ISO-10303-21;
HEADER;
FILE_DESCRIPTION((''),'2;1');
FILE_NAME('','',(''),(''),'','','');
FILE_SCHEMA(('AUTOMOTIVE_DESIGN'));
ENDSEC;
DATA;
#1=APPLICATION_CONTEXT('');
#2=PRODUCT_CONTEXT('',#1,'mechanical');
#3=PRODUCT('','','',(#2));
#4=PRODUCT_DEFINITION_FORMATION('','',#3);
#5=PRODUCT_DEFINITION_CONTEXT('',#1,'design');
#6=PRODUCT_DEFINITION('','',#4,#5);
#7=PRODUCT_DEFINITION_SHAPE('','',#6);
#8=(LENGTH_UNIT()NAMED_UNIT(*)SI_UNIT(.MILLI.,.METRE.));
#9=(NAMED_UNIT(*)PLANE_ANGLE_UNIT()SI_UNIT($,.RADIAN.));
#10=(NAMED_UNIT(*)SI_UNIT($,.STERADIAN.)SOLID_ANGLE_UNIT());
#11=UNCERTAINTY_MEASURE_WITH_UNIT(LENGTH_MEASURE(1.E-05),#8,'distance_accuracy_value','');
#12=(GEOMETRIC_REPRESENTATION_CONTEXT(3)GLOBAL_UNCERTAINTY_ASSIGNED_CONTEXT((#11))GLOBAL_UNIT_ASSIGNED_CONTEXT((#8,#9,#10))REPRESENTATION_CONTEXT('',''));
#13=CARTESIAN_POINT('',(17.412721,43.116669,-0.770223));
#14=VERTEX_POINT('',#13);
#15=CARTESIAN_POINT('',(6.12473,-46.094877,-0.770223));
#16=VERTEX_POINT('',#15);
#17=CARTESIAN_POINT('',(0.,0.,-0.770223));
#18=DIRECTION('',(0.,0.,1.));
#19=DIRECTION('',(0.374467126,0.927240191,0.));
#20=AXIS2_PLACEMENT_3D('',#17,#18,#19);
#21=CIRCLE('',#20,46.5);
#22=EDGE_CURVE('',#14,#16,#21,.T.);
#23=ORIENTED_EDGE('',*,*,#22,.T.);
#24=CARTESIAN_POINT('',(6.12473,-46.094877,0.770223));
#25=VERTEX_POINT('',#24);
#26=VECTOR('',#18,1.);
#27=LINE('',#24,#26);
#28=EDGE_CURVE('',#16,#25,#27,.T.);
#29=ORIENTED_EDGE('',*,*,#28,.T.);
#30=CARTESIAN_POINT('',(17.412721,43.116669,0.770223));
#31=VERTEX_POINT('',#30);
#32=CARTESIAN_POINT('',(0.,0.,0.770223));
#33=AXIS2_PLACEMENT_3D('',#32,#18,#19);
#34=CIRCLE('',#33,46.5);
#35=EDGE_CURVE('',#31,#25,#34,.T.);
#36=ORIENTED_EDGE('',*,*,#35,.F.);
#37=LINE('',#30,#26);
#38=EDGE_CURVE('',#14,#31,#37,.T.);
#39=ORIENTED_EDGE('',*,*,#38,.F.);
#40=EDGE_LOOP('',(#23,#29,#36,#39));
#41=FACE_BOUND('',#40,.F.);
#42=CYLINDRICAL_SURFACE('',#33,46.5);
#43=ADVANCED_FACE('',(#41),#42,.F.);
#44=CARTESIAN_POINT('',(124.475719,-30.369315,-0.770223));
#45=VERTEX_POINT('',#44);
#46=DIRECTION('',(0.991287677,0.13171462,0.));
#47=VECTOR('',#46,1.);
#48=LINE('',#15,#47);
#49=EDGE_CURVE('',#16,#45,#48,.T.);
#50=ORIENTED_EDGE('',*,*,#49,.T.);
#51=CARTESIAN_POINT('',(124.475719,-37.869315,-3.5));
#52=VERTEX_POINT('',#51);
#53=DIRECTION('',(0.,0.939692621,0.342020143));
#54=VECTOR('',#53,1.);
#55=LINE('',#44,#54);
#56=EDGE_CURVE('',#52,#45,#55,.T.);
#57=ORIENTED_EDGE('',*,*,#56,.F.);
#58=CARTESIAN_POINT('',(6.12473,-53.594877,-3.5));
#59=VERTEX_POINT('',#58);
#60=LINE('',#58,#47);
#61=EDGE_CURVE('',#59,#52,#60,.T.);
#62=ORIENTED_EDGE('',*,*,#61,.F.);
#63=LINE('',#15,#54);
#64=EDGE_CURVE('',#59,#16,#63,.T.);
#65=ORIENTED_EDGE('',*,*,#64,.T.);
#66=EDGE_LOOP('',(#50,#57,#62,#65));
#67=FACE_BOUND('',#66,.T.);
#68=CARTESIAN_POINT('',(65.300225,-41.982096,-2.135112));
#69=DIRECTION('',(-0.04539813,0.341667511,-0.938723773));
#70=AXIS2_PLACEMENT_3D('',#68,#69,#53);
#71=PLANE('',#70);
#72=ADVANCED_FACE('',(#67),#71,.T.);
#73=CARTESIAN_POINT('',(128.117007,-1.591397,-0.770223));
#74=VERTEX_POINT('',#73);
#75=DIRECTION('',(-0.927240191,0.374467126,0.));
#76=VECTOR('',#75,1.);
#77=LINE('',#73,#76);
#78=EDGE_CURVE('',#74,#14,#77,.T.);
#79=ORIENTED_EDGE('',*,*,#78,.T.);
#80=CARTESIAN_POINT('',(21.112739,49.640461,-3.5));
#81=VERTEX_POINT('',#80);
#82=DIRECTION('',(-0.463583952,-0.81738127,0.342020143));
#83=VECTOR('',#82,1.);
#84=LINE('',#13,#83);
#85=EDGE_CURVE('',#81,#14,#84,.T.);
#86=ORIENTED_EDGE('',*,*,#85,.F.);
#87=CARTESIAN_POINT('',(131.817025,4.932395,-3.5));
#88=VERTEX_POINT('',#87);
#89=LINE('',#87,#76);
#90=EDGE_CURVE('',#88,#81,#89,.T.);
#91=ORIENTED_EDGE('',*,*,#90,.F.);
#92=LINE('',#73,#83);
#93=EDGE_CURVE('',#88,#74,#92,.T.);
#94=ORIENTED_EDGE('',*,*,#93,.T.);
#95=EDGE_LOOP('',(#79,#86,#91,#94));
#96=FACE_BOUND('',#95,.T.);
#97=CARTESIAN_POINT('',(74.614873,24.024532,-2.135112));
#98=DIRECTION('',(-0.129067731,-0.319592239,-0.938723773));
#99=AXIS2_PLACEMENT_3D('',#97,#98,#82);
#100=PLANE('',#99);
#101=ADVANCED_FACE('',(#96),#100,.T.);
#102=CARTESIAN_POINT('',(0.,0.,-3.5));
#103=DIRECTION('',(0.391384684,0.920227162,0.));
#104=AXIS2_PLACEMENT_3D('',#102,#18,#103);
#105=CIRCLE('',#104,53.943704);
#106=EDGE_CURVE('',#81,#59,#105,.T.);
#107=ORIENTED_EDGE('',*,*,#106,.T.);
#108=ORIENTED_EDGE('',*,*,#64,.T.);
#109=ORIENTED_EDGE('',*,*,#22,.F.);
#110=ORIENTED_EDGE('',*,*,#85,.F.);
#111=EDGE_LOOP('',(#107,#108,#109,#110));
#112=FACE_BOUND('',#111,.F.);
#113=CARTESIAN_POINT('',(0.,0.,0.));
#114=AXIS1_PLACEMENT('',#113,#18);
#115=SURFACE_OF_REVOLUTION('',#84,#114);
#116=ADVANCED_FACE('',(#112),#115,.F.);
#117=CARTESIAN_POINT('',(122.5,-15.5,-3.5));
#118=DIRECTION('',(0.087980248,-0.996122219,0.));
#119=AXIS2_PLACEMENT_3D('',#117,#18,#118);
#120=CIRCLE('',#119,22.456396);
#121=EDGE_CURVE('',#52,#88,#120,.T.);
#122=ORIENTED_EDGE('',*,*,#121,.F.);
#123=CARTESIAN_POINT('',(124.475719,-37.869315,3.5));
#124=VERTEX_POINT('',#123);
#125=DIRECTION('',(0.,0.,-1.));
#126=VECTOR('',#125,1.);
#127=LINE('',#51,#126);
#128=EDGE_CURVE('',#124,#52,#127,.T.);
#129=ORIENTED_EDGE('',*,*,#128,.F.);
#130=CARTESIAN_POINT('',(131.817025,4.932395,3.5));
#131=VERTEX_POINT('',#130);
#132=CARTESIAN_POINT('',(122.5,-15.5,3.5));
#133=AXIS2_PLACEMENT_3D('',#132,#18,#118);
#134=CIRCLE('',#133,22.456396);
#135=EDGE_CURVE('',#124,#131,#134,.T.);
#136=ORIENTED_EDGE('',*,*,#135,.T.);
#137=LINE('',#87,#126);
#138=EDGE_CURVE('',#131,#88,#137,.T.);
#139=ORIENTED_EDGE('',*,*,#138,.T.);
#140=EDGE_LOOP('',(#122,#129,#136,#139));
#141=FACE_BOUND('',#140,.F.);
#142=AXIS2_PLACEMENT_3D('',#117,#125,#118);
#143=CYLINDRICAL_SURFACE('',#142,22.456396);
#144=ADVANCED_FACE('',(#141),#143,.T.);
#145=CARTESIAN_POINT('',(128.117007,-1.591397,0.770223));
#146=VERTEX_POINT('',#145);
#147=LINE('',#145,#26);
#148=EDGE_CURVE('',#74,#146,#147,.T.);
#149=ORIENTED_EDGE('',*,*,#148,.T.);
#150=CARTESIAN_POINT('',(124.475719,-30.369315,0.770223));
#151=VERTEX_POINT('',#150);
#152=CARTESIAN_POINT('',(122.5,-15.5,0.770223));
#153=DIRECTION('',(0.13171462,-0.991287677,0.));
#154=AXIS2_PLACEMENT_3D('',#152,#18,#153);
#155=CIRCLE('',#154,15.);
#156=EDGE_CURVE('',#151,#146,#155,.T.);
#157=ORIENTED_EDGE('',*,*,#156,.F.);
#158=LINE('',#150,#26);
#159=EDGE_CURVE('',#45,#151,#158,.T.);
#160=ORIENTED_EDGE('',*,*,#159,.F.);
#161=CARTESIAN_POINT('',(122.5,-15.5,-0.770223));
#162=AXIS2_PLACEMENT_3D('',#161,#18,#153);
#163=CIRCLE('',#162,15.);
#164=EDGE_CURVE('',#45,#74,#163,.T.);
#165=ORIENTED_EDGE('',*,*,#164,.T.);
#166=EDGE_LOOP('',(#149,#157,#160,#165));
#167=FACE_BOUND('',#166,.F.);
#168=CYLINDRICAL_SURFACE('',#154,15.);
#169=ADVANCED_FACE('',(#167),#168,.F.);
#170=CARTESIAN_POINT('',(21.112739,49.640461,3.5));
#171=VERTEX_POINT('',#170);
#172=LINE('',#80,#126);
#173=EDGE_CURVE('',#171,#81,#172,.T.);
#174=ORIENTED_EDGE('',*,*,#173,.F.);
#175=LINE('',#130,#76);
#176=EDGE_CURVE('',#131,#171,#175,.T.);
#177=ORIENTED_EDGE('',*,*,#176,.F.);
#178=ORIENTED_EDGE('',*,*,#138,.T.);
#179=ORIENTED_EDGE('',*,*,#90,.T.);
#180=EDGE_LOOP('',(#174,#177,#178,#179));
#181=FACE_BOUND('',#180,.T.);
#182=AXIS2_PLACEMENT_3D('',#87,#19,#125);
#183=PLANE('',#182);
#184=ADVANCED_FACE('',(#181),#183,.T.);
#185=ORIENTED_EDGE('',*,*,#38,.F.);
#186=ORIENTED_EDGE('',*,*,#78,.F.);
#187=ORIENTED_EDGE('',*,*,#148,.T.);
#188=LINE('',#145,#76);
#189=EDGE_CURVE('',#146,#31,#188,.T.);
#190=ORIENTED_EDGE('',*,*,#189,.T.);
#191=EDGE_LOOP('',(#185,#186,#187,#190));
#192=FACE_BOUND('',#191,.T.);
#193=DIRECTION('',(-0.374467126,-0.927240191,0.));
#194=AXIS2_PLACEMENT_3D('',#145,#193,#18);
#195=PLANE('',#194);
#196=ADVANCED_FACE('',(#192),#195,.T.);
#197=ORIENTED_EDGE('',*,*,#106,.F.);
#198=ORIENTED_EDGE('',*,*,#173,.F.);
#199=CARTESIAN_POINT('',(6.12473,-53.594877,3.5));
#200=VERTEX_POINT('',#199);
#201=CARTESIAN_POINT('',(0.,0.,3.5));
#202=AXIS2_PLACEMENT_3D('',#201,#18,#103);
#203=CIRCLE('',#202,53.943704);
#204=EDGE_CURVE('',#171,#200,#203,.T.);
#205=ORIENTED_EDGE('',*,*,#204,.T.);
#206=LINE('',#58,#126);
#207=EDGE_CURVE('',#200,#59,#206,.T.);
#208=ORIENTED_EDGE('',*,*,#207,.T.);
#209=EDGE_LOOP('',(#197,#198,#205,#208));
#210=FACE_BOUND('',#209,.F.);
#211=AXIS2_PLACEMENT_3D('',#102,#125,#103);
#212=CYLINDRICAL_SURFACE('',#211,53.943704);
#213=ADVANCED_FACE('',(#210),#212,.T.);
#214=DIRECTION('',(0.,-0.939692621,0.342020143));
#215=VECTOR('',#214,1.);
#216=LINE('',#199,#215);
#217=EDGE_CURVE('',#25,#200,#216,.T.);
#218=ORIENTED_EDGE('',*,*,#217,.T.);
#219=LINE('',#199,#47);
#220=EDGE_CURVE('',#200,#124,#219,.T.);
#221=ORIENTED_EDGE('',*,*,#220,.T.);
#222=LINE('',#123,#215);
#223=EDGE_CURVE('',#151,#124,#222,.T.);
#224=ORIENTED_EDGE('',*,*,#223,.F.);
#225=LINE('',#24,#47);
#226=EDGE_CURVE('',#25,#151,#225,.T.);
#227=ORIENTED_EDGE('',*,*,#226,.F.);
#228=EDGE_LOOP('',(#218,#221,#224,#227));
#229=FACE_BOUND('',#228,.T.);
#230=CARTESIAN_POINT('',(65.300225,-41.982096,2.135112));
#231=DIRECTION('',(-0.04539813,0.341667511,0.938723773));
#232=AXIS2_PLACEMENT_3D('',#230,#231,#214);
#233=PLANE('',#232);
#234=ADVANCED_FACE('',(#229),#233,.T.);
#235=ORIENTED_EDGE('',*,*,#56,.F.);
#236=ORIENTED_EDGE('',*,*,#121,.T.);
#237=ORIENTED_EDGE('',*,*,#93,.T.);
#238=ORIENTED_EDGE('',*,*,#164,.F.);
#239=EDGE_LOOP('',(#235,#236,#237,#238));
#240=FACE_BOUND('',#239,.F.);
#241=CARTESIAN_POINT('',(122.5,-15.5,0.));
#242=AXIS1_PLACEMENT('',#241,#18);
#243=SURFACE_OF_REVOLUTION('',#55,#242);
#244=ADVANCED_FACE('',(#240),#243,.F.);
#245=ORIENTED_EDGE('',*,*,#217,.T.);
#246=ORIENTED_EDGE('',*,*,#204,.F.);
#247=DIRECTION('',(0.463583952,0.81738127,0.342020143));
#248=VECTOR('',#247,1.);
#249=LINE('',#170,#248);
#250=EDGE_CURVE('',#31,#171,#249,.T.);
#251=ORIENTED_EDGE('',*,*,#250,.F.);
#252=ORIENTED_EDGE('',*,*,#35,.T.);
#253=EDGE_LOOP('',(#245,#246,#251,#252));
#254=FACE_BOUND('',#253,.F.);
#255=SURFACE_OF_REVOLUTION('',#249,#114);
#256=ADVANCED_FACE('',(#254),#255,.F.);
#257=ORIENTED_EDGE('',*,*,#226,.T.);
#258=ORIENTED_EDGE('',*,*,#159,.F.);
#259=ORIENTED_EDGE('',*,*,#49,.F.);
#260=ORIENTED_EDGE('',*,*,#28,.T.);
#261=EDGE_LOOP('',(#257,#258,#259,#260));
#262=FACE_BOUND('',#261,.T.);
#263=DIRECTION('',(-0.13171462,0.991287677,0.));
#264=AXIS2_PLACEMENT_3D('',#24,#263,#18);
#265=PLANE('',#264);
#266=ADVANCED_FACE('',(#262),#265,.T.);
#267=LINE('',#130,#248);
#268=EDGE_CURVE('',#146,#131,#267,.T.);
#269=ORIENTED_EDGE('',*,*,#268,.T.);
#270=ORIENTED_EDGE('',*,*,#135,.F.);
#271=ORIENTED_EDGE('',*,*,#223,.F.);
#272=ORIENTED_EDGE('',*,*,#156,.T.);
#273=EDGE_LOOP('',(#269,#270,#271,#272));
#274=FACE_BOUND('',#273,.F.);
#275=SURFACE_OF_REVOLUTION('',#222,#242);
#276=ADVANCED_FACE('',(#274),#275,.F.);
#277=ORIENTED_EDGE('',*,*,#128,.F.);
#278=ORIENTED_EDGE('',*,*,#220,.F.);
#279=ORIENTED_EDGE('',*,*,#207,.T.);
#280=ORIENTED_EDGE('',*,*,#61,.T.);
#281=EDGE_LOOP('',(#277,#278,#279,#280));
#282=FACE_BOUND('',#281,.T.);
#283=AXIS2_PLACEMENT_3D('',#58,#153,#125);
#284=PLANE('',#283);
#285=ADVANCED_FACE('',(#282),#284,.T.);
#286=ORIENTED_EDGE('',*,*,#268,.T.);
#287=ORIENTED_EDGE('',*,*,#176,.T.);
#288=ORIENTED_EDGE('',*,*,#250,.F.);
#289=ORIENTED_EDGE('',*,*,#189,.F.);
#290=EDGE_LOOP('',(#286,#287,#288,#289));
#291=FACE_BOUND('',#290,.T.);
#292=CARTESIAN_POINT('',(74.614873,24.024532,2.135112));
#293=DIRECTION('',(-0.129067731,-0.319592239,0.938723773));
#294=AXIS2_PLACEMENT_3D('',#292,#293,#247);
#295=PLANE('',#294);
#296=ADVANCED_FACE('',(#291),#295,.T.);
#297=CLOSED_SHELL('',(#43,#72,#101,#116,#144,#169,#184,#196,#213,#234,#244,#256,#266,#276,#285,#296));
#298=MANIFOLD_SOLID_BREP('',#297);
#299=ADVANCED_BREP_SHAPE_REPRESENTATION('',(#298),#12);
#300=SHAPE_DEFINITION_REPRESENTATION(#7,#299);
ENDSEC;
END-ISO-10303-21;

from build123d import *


with BuildPart() as part:
    # Sweep1: sweep along a path in Sketch1
    with BuildLine(Plane.XY) as sweep1_path:
        Line((6.124729851, -46.094876985), (124.475719307, -30.369315156))
        ThreePointArc((124.475719307, -30.369315156), (137.381347861, -17.382946056), (128.117006893, -1.591397138))
        Line((128.117006893, -1.591397138), (17.412721367, 43.116668872))
        ThreePointArc((17.412721367, 43.116668872), (-46.132178368, 5.837132773), (6.124729851, -46.094876985))
    # Sketch2 → Sweep1 (sweep)
    with BuildSketch(Plane(origin=(6.124729851, 0, 0), x_dir=(0, 0, -1), z_dir=(1, 0, 0))):
        Polygon((-0.770223243, -46.094876985), (0.770223243, -46.094876985), (3.5, -53.594876985), (-3.5, -53.594876985), align=None)
    sweep(path=sweep1_path.line)


solid = part.part
